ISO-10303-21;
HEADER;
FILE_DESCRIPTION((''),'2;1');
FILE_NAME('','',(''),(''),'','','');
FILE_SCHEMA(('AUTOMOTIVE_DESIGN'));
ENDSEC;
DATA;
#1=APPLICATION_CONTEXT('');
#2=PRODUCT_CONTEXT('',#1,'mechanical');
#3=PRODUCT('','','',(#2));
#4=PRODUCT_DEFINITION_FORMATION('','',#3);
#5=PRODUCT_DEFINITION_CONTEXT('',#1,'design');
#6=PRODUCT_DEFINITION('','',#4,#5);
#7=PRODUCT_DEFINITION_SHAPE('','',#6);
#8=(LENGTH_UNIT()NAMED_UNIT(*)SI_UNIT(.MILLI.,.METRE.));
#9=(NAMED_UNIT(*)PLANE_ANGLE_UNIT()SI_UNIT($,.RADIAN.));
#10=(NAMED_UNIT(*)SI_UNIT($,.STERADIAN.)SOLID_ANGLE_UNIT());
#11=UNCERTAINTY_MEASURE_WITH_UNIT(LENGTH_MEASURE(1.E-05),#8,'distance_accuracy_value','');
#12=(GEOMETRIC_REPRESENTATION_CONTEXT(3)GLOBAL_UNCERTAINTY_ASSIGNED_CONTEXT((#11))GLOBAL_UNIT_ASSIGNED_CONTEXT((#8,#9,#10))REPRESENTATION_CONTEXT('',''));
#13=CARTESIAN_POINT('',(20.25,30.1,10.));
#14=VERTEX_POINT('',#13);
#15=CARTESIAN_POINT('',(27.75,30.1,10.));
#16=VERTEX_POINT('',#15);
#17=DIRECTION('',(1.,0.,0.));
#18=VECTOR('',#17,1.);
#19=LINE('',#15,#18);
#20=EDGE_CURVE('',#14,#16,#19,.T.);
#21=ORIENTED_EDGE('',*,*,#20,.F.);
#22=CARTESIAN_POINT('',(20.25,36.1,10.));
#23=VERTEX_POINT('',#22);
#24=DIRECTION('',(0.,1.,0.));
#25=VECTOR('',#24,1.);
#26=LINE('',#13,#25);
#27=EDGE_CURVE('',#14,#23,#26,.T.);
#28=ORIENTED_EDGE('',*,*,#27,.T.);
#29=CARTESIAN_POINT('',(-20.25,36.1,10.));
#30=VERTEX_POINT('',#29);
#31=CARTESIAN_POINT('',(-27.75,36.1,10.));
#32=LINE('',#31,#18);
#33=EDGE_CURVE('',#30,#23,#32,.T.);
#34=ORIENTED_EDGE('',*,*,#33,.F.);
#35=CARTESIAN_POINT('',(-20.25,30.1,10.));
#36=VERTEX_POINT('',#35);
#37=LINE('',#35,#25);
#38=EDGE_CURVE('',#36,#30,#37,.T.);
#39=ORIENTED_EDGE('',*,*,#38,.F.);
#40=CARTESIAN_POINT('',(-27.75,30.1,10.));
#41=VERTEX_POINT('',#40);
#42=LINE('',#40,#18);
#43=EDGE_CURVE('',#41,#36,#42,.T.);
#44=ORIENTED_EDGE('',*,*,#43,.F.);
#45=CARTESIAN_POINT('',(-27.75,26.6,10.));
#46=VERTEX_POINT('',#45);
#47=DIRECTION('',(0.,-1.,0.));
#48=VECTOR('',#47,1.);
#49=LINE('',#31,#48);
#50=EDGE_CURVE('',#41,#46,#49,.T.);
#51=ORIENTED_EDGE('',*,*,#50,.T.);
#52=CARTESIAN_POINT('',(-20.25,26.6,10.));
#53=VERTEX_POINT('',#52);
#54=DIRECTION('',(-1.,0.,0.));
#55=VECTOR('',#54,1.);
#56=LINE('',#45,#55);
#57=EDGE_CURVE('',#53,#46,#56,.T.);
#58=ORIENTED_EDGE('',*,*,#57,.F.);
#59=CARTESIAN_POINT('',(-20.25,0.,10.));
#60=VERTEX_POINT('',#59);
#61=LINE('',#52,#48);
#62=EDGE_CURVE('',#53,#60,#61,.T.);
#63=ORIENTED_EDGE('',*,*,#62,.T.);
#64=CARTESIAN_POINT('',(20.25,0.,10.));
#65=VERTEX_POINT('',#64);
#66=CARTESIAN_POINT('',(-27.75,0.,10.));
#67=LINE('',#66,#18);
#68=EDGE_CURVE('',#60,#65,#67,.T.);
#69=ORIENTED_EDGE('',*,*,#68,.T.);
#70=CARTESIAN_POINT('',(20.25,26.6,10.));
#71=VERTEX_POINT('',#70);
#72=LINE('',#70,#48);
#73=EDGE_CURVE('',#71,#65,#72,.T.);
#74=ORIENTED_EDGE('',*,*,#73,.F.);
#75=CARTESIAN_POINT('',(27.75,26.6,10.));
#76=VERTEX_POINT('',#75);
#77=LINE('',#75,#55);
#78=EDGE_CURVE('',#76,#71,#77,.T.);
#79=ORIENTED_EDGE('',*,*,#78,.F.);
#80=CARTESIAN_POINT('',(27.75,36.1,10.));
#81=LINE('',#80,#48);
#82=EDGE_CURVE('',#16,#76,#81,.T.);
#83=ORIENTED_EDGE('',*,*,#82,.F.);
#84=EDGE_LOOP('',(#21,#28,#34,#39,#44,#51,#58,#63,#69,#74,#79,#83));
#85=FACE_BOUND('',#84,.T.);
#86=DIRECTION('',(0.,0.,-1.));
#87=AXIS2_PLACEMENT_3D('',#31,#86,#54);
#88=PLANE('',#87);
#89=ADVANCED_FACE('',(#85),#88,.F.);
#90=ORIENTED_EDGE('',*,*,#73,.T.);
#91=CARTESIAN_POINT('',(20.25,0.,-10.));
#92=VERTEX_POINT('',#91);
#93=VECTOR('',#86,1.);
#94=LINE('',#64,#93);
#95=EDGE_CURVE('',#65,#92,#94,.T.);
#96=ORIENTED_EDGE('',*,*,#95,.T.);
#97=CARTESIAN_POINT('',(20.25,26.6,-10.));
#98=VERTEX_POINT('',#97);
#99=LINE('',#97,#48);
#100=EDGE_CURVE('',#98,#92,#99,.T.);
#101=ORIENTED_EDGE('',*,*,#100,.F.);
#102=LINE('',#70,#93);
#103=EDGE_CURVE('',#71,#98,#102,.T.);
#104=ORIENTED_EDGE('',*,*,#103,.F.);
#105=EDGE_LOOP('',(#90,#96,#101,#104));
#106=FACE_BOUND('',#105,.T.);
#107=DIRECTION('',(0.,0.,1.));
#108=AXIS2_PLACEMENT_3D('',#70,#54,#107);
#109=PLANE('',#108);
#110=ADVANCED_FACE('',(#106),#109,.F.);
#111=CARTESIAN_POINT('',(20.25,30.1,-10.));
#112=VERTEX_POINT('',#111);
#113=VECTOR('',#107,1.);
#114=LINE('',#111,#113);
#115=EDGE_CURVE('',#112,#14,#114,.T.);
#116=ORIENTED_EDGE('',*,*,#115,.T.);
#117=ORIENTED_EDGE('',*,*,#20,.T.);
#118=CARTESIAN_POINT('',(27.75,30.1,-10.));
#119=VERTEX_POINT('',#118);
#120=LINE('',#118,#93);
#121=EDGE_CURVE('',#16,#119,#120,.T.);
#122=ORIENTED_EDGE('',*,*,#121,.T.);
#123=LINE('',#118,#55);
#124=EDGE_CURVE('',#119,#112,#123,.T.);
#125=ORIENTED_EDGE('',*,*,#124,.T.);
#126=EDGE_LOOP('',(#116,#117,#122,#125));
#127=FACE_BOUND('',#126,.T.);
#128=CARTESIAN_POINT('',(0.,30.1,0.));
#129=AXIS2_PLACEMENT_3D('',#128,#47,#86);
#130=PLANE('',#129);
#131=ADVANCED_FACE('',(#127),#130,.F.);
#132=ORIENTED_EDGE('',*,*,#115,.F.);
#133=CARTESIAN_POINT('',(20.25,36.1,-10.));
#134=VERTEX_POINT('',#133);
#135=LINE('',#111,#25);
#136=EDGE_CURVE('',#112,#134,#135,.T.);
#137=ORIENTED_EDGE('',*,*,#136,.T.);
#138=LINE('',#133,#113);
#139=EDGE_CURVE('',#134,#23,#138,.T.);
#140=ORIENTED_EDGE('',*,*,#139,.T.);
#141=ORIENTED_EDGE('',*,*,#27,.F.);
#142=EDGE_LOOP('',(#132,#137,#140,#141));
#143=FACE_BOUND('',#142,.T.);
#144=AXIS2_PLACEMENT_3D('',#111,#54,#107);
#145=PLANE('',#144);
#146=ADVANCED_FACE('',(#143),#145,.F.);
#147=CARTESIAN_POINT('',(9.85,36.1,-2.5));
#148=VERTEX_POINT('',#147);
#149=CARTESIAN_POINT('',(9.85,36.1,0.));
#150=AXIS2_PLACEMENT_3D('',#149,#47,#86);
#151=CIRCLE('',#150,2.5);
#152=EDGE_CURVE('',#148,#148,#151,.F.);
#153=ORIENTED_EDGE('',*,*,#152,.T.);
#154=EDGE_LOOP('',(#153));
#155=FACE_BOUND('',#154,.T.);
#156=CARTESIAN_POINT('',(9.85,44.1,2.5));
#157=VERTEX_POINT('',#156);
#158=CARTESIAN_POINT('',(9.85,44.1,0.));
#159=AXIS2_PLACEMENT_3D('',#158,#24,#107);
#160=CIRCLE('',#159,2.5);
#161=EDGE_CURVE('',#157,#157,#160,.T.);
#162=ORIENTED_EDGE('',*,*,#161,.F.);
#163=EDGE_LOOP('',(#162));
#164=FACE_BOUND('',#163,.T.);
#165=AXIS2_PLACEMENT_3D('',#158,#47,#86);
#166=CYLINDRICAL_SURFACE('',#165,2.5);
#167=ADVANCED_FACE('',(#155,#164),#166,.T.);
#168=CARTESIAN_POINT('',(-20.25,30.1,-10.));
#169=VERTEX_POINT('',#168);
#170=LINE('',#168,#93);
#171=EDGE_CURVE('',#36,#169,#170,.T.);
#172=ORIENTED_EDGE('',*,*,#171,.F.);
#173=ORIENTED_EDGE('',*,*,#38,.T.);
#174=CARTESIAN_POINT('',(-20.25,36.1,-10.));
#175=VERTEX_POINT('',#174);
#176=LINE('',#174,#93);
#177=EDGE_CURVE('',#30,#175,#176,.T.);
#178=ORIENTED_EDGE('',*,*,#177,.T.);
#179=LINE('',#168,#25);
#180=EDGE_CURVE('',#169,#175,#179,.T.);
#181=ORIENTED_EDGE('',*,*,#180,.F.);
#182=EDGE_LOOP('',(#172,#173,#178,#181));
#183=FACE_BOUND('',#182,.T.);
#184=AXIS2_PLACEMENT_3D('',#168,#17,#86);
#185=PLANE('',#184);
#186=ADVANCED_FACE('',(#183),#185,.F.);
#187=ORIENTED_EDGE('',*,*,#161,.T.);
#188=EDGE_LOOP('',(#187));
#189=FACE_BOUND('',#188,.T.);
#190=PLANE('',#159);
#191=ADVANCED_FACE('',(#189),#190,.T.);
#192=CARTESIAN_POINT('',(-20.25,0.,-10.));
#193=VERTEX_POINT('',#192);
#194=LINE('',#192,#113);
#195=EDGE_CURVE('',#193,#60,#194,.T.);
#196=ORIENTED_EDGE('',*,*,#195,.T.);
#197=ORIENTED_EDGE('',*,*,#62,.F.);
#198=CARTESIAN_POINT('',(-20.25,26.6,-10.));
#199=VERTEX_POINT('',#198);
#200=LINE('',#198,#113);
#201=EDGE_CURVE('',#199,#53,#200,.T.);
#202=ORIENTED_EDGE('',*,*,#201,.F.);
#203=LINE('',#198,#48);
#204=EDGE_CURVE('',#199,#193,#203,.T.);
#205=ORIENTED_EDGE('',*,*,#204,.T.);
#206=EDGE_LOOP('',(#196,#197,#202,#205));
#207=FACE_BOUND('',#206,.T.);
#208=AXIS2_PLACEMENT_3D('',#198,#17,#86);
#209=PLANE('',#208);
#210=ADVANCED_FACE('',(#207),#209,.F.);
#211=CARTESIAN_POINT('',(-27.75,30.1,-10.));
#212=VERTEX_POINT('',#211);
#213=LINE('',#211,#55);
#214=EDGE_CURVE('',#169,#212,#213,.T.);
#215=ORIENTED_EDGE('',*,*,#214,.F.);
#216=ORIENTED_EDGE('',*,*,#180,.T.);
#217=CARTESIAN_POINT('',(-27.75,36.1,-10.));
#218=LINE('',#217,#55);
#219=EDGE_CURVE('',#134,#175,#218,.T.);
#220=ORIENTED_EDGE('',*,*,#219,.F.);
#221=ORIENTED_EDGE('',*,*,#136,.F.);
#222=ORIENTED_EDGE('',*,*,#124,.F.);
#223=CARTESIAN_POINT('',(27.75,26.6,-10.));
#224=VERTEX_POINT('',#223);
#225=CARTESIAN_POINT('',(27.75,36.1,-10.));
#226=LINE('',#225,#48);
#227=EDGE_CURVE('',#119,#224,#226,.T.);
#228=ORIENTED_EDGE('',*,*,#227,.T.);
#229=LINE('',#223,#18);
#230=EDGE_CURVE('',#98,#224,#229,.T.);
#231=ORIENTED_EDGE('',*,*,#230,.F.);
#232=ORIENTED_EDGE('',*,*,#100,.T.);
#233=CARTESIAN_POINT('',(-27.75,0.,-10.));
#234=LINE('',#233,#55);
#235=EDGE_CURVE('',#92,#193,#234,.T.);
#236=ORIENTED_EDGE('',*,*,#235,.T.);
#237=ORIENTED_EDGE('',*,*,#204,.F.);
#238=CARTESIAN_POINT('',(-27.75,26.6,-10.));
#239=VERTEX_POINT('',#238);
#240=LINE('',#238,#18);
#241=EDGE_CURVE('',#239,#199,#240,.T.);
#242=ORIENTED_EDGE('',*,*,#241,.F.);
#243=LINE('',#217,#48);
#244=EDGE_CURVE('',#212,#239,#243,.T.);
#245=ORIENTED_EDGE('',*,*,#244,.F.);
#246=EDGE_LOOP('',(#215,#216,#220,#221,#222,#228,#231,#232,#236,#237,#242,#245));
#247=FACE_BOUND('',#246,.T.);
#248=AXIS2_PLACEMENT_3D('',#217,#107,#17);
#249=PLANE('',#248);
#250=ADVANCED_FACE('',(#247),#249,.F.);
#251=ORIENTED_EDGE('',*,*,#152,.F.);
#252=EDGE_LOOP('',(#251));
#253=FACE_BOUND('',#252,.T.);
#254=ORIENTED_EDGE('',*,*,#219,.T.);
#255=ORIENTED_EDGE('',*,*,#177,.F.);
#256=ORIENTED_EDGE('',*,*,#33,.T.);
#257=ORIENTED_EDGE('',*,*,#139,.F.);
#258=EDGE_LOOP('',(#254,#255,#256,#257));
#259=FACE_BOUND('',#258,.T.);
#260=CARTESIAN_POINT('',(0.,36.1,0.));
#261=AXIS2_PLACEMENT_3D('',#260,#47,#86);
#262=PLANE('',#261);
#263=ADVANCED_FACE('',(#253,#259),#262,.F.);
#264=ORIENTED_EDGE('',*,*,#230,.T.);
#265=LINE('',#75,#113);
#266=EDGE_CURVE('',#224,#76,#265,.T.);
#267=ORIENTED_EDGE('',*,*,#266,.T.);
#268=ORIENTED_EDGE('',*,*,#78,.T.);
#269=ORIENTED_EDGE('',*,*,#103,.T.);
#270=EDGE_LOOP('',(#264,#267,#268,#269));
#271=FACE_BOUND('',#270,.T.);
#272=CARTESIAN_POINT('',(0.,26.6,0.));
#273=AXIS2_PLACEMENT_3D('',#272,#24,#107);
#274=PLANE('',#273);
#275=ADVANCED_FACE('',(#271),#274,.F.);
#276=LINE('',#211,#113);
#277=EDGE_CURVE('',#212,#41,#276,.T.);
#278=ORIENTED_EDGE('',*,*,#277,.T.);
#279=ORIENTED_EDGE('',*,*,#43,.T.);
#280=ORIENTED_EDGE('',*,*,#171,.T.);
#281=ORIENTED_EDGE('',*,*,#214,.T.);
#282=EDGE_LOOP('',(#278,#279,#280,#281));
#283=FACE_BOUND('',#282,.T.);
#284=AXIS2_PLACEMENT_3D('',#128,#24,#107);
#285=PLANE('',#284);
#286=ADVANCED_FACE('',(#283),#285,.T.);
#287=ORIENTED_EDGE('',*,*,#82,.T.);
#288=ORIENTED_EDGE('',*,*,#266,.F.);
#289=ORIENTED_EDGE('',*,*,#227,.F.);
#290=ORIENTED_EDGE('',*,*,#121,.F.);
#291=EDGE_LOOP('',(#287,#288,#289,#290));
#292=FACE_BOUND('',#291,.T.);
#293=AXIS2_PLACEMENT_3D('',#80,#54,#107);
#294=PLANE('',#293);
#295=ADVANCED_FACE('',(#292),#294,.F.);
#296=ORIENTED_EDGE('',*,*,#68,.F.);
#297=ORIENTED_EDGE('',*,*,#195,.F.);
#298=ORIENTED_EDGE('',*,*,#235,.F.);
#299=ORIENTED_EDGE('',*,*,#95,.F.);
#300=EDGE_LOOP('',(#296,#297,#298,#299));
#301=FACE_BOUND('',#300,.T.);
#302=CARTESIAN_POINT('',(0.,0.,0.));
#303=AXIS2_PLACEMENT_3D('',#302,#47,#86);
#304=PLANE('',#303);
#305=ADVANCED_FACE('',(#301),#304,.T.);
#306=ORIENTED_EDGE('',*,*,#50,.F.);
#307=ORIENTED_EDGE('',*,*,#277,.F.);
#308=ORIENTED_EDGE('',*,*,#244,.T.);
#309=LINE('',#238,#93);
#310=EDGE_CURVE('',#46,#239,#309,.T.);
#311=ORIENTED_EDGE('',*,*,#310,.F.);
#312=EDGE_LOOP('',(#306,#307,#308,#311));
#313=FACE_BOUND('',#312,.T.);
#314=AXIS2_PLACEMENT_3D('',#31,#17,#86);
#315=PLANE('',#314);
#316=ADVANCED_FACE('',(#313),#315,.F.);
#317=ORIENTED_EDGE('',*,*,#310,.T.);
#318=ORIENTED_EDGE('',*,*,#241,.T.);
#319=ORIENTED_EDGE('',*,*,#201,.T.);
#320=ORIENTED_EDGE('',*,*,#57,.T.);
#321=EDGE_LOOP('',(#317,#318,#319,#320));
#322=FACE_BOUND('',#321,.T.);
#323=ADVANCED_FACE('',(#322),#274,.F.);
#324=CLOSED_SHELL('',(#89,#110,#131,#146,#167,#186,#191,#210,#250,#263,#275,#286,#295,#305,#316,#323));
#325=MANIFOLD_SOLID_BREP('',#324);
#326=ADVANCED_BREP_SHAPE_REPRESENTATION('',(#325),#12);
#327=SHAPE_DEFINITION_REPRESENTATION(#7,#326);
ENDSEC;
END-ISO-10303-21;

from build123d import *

# Parameters (mm, degrees)
SKETCH1_W           = 55.5
SKETCH1_H           = 20
BOSS_EXTRUDE1_DEPTH = 36.1
SKETCH2_W           = 7.5
SKETCH2_H           = 20
CUT_EXTRUDE1_DEPTH  = 26.6
SKETCH3_W           = 7.5
SKETCH3_H           = 20
CUT_EXTRUDE2_DEPTH  = 6
SKETCH4_R           = 2.5
BOSS_EXTRUDE2_DEPTH = 8


with BuildPart() as part:
    # Sketch1 → Boss-Extrude1 (new body)
    with BuildSketch(Plane(origin=(0, 0, 0), x_dir=(1, 0, 0), z_dir=(0, 1, 0))):
        Rectangle(SKETCH1_W, SKETCH1_H)
    extrude(amount=BOSS_EXTRUDE1_DEPTH)

    # Sketch2 → Cut-Extrude1 (cut)
    with BuildSketch(Plane.XZ):
        with Locations((24, 0)):
            Rectangle(SKETCH2_W, SKETCH2_H)
        with Locations((-24, 0)):
            Rectangle(SKETCH2_W, SKETCH2_H)
    extrude(amount=-CUT_EXTRUDE1_DEPTH, mode=Mode.SUBTRACT)

    # Sketch3 → Cut-Extrude2 (cut)
    with BuildSketch(Plane(origin=(0, 36.1, 0), x_dir=(1, 0, 0), z_dir=(0, 1, 0))):
        with Locations((24, 0)):
            Rectangle(SKETCH3_W, SKETCH3_H)
        with Locations((-24, 0)):
            Rectangle(SKETCH3_W, SKETCH3_H)
    extrude(amount=-CUT_EXTRUDE2_DEPTH, mode=Mode.SUBTRACT)

    # Sketch4 → Boss-Extrude2 (add)
    with BuildSketch(Plane(origin=(0, 36.1, 0), x_dir=(1, 0, 0), z_dir=(0, 1, 0))):
        with Locations(Location((9.85, 0, 0), (0, 0, 90))):
            Circle(SKETCH4_R)
    extrude(amount=BOSS_EXTRUDE2_DEPTH)


solid = part.part
